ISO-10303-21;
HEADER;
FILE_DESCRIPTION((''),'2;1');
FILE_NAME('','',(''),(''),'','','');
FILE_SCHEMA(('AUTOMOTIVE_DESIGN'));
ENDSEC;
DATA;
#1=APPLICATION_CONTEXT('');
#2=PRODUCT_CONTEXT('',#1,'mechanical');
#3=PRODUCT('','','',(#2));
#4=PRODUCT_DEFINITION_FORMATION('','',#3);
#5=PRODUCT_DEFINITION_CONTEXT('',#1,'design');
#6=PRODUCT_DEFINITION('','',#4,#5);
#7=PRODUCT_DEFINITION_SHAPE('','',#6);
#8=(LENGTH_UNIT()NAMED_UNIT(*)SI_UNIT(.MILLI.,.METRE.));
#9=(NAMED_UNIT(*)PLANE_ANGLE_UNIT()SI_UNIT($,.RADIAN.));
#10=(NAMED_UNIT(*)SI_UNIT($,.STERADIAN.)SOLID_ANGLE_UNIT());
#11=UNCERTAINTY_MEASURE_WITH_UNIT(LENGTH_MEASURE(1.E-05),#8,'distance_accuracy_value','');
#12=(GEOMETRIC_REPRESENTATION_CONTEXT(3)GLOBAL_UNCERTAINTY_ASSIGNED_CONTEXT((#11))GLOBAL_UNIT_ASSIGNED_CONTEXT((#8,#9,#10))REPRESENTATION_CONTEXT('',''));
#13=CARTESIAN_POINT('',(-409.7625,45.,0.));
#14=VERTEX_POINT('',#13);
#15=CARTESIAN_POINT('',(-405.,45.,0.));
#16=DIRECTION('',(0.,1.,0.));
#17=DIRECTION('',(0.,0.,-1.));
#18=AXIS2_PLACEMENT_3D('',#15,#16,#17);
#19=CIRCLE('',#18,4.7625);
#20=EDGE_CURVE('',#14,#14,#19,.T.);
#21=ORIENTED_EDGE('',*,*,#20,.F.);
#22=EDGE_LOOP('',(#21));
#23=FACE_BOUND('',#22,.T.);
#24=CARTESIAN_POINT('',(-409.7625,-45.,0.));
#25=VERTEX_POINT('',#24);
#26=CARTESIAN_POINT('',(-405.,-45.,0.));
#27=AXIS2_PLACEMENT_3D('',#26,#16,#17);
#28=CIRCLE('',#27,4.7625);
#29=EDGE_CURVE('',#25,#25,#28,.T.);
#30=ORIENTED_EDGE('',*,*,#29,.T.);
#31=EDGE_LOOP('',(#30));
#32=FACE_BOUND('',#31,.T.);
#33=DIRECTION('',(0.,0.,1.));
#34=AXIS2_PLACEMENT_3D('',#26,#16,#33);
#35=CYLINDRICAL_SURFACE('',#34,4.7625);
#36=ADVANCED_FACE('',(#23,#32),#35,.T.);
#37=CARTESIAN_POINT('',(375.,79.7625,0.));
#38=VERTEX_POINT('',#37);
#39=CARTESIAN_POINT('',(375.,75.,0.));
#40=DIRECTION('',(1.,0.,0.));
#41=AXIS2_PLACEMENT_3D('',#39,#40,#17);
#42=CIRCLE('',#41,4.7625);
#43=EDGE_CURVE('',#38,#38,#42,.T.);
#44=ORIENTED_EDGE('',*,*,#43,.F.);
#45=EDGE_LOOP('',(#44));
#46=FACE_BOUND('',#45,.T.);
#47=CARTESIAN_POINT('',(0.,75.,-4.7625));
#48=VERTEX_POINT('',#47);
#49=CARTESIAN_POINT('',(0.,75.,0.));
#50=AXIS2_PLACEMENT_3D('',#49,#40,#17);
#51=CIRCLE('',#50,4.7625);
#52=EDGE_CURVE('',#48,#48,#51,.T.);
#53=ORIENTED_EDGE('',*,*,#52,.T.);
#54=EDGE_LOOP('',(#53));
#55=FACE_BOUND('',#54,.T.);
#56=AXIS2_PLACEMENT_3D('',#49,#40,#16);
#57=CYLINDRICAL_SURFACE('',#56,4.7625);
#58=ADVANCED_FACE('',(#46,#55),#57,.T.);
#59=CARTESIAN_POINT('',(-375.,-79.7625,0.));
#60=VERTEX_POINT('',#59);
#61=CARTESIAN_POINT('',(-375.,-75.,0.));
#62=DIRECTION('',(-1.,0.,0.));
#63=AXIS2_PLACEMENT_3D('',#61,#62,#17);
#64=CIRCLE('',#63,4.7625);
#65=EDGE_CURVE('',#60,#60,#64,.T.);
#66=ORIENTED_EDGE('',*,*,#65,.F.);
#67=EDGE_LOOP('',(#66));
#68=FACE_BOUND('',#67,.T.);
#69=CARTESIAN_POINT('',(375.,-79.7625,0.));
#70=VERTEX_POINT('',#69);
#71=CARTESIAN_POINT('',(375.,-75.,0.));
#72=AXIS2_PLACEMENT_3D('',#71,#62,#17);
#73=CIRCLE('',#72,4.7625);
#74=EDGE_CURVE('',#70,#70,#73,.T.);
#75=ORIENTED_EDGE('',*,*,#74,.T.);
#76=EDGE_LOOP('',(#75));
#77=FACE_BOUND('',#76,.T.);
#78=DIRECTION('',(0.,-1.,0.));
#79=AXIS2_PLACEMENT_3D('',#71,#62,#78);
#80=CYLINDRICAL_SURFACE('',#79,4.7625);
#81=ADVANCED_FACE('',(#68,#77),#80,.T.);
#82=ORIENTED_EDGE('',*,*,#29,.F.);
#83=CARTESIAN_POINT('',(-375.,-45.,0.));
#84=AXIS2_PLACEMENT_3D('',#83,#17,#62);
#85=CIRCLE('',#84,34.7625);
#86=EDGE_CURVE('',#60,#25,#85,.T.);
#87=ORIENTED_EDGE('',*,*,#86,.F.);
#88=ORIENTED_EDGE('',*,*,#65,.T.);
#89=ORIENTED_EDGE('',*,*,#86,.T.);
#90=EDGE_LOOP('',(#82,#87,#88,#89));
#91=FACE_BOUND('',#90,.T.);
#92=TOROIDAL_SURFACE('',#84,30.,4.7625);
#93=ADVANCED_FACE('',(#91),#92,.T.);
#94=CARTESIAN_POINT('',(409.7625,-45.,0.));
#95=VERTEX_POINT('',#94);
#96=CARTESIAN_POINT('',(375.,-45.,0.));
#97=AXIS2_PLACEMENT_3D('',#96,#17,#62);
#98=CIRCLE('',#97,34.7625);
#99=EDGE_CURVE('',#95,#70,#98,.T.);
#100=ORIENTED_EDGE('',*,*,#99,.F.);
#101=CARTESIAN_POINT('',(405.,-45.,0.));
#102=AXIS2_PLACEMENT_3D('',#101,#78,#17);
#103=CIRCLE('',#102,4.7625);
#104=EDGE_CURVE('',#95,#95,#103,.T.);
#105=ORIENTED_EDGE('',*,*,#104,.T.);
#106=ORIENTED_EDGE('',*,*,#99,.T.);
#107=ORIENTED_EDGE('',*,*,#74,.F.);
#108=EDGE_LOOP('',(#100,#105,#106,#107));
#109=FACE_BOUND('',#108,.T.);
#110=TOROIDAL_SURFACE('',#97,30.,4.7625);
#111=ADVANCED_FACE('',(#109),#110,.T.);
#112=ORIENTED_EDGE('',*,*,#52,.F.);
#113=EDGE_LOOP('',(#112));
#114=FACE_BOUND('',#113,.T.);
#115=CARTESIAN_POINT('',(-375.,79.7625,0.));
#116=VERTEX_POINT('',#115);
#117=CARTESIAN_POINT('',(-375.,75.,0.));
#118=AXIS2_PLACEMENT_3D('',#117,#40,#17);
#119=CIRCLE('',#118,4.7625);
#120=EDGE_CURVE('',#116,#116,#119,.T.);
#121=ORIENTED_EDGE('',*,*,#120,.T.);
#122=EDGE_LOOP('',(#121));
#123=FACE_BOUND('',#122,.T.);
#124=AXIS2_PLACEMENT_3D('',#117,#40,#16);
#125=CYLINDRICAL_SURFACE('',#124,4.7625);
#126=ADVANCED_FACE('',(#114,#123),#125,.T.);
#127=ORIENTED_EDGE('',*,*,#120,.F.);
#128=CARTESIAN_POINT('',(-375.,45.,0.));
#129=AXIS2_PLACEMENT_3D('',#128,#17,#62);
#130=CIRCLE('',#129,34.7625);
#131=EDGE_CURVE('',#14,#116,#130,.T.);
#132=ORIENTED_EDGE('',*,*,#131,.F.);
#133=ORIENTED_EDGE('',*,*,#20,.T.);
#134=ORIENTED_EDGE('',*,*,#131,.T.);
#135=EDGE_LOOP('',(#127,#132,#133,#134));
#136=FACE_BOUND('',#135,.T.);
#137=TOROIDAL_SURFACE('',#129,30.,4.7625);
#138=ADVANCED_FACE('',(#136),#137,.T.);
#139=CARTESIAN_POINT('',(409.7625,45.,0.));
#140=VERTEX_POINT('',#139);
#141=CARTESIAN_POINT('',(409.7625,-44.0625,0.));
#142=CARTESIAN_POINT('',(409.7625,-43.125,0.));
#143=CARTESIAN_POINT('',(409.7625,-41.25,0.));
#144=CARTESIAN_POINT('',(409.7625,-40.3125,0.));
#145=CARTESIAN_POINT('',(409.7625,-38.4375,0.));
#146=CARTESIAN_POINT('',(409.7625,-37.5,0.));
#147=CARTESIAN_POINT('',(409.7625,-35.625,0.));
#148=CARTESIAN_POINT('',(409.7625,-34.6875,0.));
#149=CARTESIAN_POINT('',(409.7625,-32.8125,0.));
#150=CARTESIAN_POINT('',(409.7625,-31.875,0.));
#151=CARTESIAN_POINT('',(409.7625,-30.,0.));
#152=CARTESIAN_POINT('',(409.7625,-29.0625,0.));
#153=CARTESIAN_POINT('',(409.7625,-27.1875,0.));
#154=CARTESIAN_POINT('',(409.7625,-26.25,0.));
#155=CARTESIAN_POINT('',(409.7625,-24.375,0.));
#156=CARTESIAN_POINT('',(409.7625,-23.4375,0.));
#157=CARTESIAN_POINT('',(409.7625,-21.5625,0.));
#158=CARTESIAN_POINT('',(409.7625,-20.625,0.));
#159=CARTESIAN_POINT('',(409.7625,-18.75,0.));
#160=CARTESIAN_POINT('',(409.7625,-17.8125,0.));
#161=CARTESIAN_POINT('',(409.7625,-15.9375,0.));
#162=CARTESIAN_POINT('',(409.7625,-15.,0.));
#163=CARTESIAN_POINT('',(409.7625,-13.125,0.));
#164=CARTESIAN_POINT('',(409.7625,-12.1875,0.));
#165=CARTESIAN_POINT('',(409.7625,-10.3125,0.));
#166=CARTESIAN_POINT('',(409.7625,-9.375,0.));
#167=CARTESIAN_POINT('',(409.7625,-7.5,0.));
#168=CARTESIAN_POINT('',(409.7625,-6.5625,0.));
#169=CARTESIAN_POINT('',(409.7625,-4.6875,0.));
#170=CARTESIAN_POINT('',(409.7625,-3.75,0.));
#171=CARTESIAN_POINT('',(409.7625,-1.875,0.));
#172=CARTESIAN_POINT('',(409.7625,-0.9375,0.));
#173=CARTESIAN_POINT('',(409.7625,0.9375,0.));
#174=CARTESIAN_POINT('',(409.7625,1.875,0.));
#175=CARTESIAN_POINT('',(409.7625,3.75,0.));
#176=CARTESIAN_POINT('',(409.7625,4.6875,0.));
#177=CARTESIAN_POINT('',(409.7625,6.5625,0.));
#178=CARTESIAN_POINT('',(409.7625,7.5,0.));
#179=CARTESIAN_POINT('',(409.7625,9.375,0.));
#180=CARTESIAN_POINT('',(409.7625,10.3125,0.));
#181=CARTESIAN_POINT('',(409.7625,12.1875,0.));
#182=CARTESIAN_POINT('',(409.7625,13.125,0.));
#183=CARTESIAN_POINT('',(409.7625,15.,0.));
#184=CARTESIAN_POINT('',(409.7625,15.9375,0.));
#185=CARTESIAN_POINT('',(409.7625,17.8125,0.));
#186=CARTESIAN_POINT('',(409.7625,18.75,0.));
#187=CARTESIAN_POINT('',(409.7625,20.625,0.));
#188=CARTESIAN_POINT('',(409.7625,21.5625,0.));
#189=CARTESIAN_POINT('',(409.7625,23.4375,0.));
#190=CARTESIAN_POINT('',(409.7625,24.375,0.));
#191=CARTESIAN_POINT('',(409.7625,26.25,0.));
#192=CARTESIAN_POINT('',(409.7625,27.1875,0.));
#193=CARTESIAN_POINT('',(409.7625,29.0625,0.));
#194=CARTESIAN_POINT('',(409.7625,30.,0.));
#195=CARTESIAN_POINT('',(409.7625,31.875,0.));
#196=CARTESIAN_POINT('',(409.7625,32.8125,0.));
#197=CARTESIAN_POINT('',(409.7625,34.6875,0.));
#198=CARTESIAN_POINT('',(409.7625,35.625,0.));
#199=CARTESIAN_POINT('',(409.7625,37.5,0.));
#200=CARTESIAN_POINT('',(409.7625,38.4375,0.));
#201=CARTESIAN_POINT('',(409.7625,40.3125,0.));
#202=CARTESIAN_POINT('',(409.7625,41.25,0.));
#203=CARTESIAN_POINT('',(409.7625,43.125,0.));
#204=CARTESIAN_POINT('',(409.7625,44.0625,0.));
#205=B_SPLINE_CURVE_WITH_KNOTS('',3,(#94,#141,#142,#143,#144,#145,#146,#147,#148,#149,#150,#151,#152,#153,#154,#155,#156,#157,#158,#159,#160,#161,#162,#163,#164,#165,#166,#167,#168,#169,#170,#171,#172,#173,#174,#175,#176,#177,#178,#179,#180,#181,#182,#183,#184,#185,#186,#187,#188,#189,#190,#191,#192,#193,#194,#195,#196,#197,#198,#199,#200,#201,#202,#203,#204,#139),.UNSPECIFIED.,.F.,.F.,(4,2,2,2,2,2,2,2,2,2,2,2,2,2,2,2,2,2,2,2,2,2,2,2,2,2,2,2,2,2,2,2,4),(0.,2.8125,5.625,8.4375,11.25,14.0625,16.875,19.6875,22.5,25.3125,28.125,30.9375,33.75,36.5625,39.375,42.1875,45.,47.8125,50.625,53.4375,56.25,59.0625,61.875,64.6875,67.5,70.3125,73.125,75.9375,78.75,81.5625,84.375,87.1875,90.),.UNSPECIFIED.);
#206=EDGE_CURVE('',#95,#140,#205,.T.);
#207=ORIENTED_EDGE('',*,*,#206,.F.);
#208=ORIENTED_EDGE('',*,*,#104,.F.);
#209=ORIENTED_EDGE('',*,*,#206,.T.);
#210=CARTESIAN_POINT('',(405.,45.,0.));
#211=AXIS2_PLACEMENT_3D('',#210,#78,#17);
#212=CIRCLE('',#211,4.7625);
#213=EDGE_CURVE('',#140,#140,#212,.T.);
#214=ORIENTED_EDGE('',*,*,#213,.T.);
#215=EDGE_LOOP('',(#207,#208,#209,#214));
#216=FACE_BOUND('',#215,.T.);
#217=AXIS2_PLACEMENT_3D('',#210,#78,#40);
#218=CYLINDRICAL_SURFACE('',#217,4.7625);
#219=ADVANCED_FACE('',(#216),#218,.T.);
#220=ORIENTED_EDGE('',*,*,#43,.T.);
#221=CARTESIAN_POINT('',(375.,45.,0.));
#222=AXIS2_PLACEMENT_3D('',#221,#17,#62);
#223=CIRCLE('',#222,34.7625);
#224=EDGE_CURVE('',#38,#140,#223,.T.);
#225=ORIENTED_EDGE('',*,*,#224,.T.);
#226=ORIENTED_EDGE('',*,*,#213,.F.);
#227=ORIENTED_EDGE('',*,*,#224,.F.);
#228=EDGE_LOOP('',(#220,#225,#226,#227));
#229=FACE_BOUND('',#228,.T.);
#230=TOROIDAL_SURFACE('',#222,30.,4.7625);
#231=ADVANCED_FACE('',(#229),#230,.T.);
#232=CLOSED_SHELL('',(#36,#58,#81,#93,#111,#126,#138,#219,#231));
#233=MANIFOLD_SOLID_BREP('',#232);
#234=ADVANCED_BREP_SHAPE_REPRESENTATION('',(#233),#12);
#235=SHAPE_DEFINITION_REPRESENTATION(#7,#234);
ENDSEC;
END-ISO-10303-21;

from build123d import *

# Parameters (mm, degrees)
ESBO_O2_R = 4.7625


with BuildPart() as part:
    # Varredura1: sweep along a path in Esboço1
    with BuildLine(Plane.XY) as varredura1_path:
        Line((375, -75), (-375, -75))
        ThreePointArc((-375, -75), (-396.213203436, -66.213203436), (-405, -45))
        Line((-405, -45), (-405, 45))
        ThreePointArc((-405, 45), (-396.213203436, 66.213203436), (-375, 75))
        Line((-375, 75), (375, 75))
        ThreePointArc((375, 75), (396.213203436, 66.213203436), (405, 45))
        Line((405, 45), (405, -45))
        ThreePointArc((405, -45), (396.213203436, -66.213203436), (375, -75))
    # Esboço2 → Varredura1 (sweep)
    with BuildSketch(Plane(origin=(0, 0, 0), x_dir=(0, 0, -1), z_dir=(1, 0, 0))):
        with Locations((0, 75)):
            Circle(ESBO_O2_R)
    sweep(path=varredura1_path.line)


solid = part.part
